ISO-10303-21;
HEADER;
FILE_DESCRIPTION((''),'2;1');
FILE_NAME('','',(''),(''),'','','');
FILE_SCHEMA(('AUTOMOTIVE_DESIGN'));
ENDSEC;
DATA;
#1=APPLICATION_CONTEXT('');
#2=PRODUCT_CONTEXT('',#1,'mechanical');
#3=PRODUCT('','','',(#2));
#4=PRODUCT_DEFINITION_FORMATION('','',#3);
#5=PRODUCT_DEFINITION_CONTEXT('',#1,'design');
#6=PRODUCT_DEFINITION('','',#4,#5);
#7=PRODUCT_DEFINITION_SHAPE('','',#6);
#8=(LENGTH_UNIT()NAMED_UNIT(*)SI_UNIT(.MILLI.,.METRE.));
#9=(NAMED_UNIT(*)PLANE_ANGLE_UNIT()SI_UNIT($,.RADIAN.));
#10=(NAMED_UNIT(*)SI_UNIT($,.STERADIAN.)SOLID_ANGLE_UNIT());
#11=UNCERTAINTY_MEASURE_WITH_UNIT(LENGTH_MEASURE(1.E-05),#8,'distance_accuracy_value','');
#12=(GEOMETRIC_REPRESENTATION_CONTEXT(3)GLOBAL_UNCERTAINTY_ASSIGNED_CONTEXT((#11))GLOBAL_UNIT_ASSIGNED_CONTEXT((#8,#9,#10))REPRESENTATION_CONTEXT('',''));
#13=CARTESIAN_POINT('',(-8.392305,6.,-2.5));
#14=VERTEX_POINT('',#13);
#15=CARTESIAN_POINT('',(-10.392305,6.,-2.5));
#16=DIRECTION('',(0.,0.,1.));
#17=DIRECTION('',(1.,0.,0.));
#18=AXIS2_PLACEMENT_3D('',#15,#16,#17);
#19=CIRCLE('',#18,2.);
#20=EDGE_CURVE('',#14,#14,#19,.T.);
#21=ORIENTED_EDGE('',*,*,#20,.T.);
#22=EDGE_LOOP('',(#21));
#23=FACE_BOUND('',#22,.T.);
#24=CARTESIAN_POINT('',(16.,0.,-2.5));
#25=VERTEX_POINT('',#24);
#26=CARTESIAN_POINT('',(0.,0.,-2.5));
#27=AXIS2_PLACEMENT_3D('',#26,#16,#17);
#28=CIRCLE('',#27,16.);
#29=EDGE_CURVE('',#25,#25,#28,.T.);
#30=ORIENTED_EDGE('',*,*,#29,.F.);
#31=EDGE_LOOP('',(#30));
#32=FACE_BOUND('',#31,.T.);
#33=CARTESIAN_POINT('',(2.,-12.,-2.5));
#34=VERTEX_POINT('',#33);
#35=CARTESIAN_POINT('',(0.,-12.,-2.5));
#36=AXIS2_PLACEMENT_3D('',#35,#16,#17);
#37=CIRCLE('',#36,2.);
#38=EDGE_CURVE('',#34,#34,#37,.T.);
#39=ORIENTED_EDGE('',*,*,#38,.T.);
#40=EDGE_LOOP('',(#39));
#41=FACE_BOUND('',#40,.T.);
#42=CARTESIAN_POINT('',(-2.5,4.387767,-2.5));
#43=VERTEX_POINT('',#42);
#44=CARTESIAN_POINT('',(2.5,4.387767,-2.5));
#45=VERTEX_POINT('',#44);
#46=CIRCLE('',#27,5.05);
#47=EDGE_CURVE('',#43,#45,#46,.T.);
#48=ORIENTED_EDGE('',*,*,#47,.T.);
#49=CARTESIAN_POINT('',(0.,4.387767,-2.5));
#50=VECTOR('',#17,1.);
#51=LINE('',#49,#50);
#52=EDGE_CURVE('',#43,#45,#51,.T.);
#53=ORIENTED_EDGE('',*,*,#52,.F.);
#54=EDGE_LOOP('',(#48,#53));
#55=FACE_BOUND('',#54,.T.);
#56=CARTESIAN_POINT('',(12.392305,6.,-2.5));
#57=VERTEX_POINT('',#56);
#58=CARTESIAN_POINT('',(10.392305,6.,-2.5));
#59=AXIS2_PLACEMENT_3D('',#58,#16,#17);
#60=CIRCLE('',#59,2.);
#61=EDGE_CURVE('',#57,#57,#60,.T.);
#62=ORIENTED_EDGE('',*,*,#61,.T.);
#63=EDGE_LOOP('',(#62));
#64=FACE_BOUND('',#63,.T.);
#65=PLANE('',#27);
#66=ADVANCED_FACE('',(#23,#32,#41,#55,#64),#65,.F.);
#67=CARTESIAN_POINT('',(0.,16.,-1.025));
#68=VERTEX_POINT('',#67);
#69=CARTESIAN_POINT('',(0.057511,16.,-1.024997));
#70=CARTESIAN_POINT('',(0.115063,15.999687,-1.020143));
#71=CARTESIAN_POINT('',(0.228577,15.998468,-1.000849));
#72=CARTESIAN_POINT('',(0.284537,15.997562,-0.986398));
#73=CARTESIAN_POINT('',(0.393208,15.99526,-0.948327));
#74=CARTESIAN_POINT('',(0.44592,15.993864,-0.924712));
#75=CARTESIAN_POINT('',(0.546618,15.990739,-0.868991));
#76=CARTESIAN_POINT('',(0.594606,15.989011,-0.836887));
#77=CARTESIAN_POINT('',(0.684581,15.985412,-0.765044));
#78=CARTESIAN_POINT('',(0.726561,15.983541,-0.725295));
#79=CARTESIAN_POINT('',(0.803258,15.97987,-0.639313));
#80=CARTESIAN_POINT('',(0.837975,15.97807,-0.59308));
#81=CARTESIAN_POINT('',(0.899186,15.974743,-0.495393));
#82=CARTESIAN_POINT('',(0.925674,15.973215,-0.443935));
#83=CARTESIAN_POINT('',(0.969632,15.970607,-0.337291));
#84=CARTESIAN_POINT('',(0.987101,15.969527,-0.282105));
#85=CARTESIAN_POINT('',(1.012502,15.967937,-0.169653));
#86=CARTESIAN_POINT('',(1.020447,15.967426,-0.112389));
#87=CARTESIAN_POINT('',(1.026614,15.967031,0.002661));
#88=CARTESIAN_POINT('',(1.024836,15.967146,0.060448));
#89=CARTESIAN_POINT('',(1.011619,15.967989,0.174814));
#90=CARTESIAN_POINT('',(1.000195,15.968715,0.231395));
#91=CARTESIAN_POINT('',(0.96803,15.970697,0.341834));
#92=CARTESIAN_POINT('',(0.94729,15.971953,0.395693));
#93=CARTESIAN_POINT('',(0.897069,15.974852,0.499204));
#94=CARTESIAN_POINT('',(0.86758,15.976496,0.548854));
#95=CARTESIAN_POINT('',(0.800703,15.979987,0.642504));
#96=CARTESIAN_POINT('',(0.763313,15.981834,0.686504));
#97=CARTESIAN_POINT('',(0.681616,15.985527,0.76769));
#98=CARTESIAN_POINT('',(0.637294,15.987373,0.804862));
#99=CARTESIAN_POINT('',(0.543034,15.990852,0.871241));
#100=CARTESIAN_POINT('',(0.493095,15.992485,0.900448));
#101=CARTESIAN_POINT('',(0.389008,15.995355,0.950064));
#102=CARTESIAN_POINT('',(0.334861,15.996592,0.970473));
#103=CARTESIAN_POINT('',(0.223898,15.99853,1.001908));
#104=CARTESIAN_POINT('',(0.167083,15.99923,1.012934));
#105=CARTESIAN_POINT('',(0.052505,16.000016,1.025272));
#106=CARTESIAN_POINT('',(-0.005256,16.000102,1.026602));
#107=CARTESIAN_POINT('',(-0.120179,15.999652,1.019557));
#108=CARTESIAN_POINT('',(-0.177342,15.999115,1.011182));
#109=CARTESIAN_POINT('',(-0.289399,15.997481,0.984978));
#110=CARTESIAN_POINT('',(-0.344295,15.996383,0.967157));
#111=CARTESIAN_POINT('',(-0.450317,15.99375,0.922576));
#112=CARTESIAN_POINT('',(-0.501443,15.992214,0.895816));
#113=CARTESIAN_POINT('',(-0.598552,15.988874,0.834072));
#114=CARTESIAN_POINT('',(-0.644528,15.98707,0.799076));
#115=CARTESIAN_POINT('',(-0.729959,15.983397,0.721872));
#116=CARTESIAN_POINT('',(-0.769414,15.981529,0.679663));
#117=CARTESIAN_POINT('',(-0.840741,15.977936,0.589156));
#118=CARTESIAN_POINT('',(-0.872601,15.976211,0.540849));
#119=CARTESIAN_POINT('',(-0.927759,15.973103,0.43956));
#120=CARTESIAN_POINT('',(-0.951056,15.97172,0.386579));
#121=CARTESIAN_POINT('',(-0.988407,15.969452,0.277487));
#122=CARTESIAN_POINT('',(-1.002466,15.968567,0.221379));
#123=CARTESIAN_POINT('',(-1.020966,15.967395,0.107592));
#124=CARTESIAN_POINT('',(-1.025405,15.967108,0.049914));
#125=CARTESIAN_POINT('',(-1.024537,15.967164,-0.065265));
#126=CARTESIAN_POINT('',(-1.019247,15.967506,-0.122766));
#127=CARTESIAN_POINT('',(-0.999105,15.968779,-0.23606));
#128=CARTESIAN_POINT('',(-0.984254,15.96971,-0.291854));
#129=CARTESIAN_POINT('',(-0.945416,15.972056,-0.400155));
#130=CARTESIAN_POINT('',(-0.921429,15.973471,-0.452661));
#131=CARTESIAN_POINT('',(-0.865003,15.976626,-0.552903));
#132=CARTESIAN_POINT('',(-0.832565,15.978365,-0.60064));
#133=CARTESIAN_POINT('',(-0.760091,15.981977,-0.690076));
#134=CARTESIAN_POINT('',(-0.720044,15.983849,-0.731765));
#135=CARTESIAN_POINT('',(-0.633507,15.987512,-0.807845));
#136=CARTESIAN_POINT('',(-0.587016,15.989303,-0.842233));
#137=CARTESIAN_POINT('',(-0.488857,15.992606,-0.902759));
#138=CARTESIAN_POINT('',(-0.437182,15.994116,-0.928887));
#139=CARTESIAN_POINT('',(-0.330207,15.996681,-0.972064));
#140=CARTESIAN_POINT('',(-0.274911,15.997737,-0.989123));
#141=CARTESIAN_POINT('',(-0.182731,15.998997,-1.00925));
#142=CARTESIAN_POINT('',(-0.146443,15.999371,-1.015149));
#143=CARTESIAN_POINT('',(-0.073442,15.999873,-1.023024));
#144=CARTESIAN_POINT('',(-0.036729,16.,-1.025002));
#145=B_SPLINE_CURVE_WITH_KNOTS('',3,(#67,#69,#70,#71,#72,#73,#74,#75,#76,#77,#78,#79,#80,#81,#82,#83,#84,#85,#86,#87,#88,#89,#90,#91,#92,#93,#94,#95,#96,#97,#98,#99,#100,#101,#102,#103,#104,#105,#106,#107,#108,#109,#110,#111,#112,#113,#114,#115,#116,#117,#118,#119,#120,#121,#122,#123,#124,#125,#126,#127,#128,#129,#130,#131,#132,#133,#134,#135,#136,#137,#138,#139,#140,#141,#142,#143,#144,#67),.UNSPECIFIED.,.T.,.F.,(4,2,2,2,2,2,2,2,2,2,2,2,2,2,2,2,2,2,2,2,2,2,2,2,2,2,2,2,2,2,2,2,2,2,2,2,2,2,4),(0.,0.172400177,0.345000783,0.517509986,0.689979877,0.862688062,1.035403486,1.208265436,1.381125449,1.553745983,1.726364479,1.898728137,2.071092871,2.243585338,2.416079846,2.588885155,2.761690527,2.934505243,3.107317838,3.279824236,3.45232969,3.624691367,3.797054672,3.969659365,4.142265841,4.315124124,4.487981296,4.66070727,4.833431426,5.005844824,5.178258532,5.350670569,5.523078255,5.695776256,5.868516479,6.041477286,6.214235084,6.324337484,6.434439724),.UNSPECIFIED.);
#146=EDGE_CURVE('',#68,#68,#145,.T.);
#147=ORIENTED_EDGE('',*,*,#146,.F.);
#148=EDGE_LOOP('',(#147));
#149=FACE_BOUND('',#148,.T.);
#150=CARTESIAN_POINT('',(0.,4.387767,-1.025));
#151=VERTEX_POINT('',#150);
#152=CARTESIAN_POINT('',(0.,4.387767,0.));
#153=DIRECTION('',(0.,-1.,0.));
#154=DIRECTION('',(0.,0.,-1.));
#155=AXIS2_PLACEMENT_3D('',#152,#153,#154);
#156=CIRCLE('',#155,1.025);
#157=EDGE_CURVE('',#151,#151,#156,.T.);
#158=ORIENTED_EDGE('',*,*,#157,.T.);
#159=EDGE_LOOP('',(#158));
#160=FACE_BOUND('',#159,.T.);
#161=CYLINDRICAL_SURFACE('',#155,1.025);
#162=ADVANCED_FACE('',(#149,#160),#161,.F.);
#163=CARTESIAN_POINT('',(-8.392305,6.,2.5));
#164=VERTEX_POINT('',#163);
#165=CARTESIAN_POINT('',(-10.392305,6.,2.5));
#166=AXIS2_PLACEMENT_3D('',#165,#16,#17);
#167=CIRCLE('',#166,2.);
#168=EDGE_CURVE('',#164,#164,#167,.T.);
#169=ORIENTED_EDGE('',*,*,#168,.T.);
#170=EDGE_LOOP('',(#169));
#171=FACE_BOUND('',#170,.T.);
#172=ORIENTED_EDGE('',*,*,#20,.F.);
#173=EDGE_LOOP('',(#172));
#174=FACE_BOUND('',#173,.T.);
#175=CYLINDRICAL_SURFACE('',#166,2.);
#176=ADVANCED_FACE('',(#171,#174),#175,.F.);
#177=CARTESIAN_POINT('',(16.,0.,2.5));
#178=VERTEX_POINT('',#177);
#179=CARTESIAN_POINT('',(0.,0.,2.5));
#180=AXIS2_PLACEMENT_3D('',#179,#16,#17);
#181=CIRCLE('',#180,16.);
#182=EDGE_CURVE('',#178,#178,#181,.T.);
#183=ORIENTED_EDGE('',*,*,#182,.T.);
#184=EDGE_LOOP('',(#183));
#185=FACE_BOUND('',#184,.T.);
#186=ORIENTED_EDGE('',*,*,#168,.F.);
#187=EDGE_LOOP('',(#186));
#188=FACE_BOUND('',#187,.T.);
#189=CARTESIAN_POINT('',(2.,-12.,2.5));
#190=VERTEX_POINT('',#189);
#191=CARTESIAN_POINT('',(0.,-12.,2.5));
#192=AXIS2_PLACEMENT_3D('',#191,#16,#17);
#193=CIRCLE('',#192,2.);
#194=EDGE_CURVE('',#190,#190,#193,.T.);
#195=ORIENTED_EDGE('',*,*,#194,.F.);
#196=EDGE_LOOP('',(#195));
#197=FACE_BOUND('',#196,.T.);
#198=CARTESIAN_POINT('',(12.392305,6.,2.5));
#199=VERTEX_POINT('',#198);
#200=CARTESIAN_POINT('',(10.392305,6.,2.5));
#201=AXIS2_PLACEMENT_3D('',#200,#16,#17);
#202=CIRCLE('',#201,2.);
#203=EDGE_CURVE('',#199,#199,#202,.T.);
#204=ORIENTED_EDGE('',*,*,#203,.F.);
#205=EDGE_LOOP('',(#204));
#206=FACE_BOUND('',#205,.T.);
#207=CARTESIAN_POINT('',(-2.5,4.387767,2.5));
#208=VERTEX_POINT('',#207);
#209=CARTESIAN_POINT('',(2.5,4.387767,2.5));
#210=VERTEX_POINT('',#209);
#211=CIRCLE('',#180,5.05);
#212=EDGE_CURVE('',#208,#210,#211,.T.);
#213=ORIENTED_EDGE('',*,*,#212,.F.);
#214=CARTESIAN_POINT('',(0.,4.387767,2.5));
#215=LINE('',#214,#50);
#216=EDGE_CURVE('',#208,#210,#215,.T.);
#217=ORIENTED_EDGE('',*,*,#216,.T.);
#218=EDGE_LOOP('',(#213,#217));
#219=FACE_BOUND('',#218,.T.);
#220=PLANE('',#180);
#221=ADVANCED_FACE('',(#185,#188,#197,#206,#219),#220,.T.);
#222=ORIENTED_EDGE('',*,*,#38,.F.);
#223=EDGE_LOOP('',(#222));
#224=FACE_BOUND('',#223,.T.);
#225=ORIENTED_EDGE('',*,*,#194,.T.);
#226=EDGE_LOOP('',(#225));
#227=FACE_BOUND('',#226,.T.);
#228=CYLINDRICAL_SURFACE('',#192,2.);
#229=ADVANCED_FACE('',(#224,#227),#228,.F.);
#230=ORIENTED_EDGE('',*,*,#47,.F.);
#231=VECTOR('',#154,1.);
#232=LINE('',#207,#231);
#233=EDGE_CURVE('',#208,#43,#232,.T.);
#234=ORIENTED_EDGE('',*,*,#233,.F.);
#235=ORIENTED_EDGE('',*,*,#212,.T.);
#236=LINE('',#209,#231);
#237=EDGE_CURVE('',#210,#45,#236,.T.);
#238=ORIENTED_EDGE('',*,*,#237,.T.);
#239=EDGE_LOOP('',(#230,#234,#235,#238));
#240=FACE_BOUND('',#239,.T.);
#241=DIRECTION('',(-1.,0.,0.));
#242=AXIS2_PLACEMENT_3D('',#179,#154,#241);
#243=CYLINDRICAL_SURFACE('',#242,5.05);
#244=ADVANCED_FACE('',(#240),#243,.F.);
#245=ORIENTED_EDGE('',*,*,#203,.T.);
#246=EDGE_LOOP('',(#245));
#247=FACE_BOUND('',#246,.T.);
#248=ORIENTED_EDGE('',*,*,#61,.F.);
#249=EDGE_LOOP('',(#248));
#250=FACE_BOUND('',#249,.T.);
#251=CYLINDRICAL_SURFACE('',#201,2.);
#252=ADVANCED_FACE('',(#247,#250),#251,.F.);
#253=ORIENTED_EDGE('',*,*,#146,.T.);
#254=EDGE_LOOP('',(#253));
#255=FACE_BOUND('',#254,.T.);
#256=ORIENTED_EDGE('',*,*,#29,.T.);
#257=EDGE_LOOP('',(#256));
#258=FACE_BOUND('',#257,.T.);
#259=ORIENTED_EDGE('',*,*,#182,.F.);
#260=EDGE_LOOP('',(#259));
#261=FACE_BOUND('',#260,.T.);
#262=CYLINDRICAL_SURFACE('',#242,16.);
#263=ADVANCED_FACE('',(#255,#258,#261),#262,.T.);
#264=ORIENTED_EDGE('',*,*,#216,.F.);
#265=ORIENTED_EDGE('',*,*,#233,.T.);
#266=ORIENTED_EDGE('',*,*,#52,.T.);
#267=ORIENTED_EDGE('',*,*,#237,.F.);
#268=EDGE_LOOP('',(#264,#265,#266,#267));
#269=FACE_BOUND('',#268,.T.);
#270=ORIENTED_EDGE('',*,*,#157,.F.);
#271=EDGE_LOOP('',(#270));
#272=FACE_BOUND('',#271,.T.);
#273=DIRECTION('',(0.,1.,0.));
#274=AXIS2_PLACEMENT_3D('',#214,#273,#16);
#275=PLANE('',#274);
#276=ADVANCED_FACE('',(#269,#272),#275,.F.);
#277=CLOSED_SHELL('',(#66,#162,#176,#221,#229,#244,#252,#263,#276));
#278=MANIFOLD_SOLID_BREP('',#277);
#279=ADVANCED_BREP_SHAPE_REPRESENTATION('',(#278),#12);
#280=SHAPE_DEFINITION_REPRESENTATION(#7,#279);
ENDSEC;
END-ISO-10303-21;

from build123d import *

# Parameters (mm, degrees)
SKETCH1_R            = 16
BOSS_EXTRUDE1_DEPTH  = 2.5
M4_CLEARANCE_HOLE2_D = 4
CIRPATTERN1_COUNT    = 3
SKETCH7_W            = 1.025
SKETCH7_H            = 11.612232914


with BuildPart() as part:
    # Sketch1 → Boss-Extrude1 (new body, symmetric)
    with BuildSketch(Plane.XY):
        Circle(SKETCH1_R)
        with BuildLine():
            Line((-2.5, 4.387767086), (2.5, 4.387767086))
            ThreePointArc((2.5, 4.387767086), (0, -5.05), (-2.5, 4.387767086))
        make_face(mode=Mode.SUBTRACT)
    extrude(amount=BOSS_EXTRUDE1_DEPTH, both=True)

    # M4 Clearance Hole2 (through all)
    with Locations(Plane.XY.offset(2.5)):
        with Locations((0, -12)):
            m4_clearance_hole2 = Hole(M4_CLEARANCE_HOLE2_D / 2)

    # CirPattern1: M4 Clearance Hole2 ×3 about axis
    cirpattern1_axis = Axis((0, 0, 0), (0, 0, 1))
    for i in range(1, CIRPATTERN1_COUNT):
        add(m4_clearance_hole2.rotate(cirpattern1_axis, i * 360 / CIRPATTERN1_COUNT), mode=Mode.SUBTRACT)

    # Sketch7 → M2.5x0.45 Tapped Hole1 (revolve, cut)
    with BuildSketch(Plane(origin=(0, 4.387767086, 0), x_dir=(0, 0, -1), z_dir=(1, 0, 0))):
        with Locations((0.5125, 5.806116457)):
            Rectangle(SKETCH7_W, SKETCH7_H)
    revolve(axis=Axis((0, -1.962232914, 0), (0, 1, 0)), mode=Mode.SUBTRACT)


solid = part.part
